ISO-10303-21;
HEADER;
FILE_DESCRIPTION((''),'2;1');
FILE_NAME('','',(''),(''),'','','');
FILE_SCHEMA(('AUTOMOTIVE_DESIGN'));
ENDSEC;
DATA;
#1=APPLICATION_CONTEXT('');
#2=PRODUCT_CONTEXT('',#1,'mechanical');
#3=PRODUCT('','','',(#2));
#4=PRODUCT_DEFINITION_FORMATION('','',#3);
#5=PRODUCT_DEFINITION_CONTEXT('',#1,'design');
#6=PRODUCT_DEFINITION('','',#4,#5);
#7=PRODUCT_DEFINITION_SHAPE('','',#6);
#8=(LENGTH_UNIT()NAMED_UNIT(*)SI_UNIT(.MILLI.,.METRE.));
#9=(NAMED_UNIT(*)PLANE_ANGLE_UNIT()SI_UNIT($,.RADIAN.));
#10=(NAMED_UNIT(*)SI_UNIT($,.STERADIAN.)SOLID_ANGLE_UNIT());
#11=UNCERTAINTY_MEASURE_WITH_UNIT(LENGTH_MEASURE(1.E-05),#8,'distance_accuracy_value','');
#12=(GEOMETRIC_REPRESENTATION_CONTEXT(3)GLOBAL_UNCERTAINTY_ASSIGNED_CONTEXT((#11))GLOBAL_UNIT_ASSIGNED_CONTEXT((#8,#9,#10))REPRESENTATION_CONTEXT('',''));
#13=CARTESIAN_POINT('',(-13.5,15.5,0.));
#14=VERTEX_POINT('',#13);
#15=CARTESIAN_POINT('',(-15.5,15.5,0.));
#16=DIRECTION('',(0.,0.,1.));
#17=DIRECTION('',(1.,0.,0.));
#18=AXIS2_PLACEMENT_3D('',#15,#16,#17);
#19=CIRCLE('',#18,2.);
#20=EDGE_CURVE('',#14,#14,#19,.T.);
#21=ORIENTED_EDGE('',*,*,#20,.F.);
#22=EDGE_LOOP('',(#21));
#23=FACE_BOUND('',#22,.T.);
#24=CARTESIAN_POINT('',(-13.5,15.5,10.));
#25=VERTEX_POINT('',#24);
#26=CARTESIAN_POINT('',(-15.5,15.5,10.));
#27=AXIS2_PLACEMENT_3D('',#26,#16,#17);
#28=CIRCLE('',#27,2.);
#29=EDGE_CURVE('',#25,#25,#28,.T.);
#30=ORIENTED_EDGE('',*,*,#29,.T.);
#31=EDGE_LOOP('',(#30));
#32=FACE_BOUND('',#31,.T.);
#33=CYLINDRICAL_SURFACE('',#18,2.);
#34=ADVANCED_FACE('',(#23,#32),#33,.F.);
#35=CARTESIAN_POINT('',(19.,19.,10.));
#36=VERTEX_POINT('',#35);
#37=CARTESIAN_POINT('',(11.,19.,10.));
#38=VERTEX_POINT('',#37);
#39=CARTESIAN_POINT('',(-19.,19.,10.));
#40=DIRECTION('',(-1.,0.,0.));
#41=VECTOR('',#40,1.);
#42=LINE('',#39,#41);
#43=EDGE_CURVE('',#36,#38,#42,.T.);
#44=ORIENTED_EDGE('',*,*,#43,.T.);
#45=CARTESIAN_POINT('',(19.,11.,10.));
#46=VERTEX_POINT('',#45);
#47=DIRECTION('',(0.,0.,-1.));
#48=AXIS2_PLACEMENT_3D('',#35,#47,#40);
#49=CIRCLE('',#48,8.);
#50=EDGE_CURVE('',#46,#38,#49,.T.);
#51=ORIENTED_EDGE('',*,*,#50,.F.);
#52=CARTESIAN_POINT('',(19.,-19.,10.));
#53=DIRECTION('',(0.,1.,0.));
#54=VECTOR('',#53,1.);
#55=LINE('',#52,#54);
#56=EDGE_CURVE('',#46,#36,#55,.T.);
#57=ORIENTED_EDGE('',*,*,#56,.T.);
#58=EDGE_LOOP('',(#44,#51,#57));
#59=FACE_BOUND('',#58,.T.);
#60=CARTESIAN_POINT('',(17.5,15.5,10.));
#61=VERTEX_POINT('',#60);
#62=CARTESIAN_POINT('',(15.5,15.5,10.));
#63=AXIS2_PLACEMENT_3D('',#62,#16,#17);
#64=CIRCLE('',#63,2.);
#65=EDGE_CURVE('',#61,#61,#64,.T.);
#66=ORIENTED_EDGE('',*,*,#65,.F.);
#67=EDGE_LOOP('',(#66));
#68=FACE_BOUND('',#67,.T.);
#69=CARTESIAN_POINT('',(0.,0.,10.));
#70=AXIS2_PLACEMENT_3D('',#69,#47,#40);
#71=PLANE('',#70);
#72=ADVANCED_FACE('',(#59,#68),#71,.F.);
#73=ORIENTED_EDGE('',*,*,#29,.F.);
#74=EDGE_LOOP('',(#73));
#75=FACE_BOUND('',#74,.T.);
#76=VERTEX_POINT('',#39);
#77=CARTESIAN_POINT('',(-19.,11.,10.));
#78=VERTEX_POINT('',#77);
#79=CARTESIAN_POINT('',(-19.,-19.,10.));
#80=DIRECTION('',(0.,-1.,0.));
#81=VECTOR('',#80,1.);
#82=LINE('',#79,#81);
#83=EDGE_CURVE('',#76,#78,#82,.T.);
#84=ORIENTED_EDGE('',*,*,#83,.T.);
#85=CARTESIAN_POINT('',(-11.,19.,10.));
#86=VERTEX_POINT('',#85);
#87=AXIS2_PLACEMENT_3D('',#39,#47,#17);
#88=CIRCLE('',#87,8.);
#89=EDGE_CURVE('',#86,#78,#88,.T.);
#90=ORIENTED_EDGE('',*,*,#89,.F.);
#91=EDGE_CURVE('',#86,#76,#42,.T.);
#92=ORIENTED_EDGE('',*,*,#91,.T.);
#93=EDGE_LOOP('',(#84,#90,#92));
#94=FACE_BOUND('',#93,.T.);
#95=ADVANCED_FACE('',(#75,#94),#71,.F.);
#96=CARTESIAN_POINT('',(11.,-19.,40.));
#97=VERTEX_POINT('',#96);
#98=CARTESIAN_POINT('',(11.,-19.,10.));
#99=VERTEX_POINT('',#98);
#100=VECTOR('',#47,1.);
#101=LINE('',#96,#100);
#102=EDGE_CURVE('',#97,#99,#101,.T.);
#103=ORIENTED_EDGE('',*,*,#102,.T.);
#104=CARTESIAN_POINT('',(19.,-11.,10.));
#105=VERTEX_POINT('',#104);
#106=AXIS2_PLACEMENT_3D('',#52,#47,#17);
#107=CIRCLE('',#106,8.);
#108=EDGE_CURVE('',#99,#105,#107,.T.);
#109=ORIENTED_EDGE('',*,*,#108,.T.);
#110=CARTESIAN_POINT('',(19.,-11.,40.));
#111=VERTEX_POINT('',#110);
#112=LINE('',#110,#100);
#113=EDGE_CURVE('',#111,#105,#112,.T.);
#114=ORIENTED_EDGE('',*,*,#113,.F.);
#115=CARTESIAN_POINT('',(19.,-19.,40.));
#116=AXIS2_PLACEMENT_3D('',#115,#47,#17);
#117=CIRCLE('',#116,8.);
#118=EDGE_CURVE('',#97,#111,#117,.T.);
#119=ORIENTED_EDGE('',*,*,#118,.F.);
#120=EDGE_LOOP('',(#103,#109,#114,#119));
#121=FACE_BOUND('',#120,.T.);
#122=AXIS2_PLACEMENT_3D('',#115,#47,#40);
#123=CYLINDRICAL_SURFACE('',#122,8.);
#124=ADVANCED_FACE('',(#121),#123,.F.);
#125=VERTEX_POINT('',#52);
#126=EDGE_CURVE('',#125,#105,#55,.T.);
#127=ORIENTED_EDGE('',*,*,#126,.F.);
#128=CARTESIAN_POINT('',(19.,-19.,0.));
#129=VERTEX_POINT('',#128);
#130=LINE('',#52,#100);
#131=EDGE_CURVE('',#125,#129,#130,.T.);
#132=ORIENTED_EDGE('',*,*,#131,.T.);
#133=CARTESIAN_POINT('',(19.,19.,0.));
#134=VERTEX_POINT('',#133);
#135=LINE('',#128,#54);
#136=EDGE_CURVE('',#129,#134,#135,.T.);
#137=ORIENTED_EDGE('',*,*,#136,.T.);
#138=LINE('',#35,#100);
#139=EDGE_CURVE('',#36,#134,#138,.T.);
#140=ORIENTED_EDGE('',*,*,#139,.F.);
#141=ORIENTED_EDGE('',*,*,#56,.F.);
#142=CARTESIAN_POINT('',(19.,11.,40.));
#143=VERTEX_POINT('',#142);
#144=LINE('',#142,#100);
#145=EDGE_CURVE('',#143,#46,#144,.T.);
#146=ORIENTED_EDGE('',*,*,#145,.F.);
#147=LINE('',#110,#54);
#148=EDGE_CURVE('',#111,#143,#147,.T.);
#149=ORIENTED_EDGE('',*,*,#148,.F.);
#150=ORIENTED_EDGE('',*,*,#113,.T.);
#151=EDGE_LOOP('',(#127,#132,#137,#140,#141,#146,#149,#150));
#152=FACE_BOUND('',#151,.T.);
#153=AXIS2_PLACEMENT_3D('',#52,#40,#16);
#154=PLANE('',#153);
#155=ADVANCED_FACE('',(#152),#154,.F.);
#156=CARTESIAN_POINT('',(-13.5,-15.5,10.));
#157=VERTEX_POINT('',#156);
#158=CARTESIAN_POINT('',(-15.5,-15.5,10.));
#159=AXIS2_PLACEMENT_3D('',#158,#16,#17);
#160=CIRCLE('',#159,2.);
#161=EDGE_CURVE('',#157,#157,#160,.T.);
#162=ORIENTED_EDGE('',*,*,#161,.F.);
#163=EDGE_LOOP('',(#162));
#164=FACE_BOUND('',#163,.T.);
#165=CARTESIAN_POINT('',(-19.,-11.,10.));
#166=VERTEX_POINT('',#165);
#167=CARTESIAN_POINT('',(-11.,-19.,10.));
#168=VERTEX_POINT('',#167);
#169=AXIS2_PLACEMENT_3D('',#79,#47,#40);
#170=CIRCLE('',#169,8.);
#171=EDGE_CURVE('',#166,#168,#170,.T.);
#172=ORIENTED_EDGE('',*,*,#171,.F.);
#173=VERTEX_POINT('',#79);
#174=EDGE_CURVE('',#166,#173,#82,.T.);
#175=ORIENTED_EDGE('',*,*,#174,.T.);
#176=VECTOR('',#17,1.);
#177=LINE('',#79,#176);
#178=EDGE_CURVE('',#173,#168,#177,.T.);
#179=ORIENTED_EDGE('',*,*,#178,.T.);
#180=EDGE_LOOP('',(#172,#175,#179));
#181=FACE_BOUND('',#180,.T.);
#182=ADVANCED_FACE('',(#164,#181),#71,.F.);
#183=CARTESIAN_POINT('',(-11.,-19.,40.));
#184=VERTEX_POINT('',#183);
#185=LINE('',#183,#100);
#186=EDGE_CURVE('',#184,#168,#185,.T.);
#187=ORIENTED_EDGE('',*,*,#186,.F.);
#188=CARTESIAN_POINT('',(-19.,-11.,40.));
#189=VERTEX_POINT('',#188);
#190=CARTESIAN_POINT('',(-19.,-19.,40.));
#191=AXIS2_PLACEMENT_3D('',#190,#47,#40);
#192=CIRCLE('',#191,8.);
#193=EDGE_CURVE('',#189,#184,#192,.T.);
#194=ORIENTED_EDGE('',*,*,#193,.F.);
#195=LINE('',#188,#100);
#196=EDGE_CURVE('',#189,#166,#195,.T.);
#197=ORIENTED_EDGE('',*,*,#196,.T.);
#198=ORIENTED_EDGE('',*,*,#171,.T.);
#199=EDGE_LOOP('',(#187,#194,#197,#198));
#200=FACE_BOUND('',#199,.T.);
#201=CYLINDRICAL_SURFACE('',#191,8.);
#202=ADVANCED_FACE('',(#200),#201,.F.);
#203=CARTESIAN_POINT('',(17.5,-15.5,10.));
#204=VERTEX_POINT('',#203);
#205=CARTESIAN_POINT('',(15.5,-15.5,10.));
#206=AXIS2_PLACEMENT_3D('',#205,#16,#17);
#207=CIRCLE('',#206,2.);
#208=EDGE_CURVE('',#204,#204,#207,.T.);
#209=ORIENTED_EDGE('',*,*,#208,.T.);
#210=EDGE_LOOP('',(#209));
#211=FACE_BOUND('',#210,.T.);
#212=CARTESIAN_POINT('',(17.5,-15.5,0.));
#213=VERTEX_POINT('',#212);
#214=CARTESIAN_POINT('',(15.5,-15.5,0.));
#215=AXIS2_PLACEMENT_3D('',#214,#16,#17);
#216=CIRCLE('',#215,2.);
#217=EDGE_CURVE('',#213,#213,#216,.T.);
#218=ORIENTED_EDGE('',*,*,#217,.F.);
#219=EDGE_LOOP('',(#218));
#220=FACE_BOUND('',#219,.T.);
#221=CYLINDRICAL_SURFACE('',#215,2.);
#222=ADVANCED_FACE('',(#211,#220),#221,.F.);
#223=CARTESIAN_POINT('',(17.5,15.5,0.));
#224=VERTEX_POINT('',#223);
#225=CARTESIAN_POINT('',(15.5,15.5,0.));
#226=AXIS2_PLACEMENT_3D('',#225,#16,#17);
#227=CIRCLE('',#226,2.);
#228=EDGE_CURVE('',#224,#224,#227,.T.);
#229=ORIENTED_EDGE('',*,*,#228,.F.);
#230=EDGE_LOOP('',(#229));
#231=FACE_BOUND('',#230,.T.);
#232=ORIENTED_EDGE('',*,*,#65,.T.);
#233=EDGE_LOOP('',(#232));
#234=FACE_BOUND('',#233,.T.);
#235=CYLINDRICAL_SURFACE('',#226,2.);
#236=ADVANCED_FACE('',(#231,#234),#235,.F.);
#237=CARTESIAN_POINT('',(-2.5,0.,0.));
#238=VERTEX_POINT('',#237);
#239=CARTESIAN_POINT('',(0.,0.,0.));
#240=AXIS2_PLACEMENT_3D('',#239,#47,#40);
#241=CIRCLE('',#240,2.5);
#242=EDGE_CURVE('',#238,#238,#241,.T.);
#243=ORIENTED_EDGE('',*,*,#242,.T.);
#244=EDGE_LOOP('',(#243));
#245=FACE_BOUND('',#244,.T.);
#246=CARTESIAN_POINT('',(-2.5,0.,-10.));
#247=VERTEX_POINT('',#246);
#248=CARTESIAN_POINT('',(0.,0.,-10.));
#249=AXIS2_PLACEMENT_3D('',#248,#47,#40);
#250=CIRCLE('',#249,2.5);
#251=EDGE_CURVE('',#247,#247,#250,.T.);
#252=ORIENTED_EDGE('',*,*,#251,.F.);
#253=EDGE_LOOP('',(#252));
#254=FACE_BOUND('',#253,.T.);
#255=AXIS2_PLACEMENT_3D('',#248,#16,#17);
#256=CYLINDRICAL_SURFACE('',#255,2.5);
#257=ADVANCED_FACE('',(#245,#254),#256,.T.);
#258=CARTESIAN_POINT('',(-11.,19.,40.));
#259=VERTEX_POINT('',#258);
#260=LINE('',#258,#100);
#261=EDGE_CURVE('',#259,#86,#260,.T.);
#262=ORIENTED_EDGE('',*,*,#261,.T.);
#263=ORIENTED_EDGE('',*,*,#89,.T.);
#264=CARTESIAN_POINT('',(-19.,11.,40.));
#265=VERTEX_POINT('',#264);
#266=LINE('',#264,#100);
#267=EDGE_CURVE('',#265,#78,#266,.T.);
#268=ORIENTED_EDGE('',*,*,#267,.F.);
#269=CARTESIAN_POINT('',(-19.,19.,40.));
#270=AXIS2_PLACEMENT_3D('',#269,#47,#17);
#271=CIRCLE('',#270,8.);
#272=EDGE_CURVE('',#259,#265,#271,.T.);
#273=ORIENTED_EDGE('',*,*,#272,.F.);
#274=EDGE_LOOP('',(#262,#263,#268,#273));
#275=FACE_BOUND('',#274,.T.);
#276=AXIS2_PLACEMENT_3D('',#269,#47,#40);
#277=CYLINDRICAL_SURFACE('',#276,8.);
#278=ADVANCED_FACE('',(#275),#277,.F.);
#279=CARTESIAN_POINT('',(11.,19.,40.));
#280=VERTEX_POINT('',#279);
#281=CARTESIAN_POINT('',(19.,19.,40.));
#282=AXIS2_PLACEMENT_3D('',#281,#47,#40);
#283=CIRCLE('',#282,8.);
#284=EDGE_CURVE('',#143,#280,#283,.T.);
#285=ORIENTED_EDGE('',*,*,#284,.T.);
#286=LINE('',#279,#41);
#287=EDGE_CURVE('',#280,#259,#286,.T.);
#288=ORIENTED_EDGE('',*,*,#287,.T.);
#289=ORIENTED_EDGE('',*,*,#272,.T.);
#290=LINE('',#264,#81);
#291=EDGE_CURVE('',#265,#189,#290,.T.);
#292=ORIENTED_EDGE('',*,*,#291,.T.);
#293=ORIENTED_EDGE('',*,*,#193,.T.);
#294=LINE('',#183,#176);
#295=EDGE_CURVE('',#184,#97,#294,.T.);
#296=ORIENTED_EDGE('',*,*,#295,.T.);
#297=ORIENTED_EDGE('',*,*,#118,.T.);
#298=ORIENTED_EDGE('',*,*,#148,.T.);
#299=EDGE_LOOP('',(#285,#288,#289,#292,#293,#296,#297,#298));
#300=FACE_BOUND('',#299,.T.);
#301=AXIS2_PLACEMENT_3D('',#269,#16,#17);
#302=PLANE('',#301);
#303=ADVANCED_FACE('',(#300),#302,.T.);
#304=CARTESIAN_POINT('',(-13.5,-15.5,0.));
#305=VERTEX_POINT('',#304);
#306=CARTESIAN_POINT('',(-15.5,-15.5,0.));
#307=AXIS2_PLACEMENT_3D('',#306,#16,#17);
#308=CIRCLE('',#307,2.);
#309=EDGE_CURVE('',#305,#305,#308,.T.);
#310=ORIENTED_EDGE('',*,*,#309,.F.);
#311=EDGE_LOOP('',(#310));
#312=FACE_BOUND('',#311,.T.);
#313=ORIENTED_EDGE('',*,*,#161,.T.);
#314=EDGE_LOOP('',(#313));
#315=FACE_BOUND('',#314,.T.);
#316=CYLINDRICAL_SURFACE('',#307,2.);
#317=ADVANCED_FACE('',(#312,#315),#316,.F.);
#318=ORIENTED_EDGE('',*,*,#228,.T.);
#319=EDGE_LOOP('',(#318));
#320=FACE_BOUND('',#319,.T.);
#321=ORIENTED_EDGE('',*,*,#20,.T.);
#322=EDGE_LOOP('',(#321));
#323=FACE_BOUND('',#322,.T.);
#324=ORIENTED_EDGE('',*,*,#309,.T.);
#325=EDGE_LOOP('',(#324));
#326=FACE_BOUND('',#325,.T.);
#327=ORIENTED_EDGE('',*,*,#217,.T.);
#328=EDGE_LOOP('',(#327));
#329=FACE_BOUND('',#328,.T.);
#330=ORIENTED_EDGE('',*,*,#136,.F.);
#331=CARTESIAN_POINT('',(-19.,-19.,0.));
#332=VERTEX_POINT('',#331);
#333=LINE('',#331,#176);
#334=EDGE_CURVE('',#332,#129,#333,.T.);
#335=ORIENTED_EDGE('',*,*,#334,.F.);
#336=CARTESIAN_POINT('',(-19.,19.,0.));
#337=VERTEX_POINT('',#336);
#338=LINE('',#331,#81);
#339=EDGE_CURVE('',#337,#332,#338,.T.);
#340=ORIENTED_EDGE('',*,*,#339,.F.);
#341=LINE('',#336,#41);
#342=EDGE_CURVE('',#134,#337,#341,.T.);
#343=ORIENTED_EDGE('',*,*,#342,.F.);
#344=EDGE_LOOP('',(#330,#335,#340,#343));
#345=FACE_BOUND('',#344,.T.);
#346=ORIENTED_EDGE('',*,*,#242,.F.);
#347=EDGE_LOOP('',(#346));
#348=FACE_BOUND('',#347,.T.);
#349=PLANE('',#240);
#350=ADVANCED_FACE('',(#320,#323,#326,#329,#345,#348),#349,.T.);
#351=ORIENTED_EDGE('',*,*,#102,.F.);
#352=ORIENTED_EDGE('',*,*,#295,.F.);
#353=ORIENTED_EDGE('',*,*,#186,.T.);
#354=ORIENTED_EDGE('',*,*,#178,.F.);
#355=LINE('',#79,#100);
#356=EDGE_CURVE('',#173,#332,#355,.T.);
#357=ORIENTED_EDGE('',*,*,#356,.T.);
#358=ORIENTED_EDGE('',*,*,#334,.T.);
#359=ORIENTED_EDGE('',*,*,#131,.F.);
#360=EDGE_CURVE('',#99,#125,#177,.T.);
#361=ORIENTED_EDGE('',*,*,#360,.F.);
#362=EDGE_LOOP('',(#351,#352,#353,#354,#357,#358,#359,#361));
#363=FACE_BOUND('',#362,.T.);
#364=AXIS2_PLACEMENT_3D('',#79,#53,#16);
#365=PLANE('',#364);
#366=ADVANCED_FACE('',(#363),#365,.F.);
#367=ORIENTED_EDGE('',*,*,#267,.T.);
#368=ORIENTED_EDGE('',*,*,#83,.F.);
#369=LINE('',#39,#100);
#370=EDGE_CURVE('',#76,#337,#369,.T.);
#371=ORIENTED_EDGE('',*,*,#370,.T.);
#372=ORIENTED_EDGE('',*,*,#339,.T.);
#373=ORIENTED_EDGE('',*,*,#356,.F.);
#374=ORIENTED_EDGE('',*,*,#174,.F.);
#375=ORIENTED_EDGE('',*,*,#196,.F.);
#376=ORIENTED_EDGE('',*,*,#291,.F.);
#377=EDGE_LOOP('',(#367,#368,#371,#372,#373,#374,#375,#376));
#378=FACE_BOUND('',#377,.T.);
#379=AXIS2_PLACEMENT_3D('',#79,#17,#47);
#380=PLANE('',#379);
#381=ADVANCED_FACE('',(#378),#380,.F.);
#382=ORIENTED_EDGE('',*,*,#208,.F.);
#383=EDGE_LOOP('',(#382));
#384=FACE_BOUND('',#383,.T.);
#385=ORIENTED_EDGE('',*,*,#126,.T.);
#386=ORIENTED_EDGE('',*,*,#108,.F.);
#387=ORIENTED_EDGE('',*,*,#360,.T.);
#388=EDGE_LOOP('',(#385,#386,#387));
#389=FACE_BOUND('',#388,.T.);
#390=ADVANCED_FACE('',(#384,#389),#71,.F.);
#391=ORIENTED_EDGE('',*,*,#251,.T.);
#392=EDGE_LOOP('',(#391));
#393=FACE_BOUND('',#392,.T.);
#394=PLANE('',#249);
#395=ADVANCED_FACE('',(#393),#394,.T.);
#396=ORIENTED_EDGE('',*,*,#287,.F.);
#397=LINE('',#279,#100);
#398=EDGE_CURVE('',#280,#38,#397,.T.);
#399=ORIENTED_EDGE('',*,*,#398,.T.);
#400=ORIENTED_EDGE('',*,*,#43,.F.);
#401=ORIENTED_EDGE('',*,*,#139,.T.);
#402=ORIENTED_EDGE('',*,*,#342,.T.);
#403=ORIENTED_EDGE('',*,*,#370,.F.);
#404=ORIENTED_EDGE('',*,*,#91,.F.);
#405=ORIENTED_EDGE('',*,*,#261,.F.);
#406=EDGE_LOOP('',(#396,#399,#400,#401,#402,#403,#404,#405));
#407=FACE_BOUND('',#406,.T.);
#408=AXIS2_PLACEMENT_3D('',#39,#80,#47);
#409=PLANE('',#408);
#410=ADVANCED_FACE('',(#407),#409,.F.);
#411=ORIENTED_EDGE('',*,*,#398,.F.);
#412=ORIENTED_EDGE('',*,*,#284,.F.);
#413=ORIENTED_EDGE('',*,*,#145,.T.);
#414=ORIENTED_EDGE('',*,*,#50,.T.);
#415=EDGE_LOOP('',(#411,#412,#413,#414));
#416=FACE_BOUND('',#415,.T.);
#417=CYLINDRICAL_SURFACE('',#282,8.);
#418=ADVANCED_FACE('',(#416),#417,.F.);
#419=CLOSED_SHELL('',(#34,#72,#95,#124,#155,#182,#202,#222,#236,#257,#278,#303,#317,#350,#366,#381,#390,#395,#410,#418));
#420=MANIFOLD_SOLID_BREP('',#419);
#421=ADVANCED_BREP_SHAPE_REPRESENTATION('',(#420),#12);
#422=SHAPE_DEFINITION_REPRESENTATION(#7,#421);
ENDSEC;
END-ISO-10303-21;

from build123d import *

# Parameters (mm, degrees)
SKETCH1_W           = 38
SKETCH1_H           = 38
BOSS_EXTRUDE1_DEPTH = 10
SKETCH2_R           = 2
CUT_EXTRUDE1_DEPTH  = 29.670542374
BOSS_EXTRUDE2_DEPTH = 30
SKETCH8_R           = 2.5
BOSS_EXTRUDE4_DEPTH = 10


with BuildPart() as part:
    # Sketch1 → Boss-Extrude1 (new body)
    with BuildSketch(Plane.XY):
        Rectangle(SKETCH1_W, SKETCH1_H)
    extrude(amount=BOSS_EXTRUDE1_DEPTH)

    # Sketch2 → Cut-Extrude1 (cut, through all)
    with BuildSketch(Plane.XY.offset(10)):
        with Locations((15.5, 15.5)):
            Circle(SKETCH2_R)
        with Locations((15.5, -15.5)):
            Circle(SKETCH2_R)
        with Locations((-15.5, -15.5)):
            Circle(SKETCH2_R)
        with Locations((-15.5, 15.5)):
            Circle(SKETCH2_R)
    extrude(amount=-CUT_EXTRUDE1_DEPTH, mode=Mode.SUBTRACT)

    # Sketch6 → Boss-Extrude2 (add)
    with BuildSketch(Plane.XY.offset(10)):
        with BuildLine():
            Line((-19, 11), (-19, -11))
            ThreePointArc((-19, -11), (-13.343145751, -13.343145751), (-11, -19))
            Line((-11, -19), (11, -19))
            ThreePointArc((11, -19), (13.343145751, -13.343145751), (19, -11))
            Line((19, -11), (19, 11))
            ThreePointArc((19, 11), (13.343145751, 13.343145751), (11, 19))
            Line((11, 19), (-11, 19))
            ThreePointArc((-11, 19), (-13.343145751, 13.343145751), (-19, 11))
        make_face()
    extrude(amount=BOSS_EXTRUDE2_DEPTH)

    # Sketch8 → Boss-Extrude4 (add)
    with BuildSketch(Plane(origin=(0, 0, 0), x_dir=(-1, 0, 0), z_dir=(0, 0, -1))):
        Circle(SKETCH8_R)
    extrude(amount=BOSS_EXTRUDE4_DEPTH)


solid = part.part
